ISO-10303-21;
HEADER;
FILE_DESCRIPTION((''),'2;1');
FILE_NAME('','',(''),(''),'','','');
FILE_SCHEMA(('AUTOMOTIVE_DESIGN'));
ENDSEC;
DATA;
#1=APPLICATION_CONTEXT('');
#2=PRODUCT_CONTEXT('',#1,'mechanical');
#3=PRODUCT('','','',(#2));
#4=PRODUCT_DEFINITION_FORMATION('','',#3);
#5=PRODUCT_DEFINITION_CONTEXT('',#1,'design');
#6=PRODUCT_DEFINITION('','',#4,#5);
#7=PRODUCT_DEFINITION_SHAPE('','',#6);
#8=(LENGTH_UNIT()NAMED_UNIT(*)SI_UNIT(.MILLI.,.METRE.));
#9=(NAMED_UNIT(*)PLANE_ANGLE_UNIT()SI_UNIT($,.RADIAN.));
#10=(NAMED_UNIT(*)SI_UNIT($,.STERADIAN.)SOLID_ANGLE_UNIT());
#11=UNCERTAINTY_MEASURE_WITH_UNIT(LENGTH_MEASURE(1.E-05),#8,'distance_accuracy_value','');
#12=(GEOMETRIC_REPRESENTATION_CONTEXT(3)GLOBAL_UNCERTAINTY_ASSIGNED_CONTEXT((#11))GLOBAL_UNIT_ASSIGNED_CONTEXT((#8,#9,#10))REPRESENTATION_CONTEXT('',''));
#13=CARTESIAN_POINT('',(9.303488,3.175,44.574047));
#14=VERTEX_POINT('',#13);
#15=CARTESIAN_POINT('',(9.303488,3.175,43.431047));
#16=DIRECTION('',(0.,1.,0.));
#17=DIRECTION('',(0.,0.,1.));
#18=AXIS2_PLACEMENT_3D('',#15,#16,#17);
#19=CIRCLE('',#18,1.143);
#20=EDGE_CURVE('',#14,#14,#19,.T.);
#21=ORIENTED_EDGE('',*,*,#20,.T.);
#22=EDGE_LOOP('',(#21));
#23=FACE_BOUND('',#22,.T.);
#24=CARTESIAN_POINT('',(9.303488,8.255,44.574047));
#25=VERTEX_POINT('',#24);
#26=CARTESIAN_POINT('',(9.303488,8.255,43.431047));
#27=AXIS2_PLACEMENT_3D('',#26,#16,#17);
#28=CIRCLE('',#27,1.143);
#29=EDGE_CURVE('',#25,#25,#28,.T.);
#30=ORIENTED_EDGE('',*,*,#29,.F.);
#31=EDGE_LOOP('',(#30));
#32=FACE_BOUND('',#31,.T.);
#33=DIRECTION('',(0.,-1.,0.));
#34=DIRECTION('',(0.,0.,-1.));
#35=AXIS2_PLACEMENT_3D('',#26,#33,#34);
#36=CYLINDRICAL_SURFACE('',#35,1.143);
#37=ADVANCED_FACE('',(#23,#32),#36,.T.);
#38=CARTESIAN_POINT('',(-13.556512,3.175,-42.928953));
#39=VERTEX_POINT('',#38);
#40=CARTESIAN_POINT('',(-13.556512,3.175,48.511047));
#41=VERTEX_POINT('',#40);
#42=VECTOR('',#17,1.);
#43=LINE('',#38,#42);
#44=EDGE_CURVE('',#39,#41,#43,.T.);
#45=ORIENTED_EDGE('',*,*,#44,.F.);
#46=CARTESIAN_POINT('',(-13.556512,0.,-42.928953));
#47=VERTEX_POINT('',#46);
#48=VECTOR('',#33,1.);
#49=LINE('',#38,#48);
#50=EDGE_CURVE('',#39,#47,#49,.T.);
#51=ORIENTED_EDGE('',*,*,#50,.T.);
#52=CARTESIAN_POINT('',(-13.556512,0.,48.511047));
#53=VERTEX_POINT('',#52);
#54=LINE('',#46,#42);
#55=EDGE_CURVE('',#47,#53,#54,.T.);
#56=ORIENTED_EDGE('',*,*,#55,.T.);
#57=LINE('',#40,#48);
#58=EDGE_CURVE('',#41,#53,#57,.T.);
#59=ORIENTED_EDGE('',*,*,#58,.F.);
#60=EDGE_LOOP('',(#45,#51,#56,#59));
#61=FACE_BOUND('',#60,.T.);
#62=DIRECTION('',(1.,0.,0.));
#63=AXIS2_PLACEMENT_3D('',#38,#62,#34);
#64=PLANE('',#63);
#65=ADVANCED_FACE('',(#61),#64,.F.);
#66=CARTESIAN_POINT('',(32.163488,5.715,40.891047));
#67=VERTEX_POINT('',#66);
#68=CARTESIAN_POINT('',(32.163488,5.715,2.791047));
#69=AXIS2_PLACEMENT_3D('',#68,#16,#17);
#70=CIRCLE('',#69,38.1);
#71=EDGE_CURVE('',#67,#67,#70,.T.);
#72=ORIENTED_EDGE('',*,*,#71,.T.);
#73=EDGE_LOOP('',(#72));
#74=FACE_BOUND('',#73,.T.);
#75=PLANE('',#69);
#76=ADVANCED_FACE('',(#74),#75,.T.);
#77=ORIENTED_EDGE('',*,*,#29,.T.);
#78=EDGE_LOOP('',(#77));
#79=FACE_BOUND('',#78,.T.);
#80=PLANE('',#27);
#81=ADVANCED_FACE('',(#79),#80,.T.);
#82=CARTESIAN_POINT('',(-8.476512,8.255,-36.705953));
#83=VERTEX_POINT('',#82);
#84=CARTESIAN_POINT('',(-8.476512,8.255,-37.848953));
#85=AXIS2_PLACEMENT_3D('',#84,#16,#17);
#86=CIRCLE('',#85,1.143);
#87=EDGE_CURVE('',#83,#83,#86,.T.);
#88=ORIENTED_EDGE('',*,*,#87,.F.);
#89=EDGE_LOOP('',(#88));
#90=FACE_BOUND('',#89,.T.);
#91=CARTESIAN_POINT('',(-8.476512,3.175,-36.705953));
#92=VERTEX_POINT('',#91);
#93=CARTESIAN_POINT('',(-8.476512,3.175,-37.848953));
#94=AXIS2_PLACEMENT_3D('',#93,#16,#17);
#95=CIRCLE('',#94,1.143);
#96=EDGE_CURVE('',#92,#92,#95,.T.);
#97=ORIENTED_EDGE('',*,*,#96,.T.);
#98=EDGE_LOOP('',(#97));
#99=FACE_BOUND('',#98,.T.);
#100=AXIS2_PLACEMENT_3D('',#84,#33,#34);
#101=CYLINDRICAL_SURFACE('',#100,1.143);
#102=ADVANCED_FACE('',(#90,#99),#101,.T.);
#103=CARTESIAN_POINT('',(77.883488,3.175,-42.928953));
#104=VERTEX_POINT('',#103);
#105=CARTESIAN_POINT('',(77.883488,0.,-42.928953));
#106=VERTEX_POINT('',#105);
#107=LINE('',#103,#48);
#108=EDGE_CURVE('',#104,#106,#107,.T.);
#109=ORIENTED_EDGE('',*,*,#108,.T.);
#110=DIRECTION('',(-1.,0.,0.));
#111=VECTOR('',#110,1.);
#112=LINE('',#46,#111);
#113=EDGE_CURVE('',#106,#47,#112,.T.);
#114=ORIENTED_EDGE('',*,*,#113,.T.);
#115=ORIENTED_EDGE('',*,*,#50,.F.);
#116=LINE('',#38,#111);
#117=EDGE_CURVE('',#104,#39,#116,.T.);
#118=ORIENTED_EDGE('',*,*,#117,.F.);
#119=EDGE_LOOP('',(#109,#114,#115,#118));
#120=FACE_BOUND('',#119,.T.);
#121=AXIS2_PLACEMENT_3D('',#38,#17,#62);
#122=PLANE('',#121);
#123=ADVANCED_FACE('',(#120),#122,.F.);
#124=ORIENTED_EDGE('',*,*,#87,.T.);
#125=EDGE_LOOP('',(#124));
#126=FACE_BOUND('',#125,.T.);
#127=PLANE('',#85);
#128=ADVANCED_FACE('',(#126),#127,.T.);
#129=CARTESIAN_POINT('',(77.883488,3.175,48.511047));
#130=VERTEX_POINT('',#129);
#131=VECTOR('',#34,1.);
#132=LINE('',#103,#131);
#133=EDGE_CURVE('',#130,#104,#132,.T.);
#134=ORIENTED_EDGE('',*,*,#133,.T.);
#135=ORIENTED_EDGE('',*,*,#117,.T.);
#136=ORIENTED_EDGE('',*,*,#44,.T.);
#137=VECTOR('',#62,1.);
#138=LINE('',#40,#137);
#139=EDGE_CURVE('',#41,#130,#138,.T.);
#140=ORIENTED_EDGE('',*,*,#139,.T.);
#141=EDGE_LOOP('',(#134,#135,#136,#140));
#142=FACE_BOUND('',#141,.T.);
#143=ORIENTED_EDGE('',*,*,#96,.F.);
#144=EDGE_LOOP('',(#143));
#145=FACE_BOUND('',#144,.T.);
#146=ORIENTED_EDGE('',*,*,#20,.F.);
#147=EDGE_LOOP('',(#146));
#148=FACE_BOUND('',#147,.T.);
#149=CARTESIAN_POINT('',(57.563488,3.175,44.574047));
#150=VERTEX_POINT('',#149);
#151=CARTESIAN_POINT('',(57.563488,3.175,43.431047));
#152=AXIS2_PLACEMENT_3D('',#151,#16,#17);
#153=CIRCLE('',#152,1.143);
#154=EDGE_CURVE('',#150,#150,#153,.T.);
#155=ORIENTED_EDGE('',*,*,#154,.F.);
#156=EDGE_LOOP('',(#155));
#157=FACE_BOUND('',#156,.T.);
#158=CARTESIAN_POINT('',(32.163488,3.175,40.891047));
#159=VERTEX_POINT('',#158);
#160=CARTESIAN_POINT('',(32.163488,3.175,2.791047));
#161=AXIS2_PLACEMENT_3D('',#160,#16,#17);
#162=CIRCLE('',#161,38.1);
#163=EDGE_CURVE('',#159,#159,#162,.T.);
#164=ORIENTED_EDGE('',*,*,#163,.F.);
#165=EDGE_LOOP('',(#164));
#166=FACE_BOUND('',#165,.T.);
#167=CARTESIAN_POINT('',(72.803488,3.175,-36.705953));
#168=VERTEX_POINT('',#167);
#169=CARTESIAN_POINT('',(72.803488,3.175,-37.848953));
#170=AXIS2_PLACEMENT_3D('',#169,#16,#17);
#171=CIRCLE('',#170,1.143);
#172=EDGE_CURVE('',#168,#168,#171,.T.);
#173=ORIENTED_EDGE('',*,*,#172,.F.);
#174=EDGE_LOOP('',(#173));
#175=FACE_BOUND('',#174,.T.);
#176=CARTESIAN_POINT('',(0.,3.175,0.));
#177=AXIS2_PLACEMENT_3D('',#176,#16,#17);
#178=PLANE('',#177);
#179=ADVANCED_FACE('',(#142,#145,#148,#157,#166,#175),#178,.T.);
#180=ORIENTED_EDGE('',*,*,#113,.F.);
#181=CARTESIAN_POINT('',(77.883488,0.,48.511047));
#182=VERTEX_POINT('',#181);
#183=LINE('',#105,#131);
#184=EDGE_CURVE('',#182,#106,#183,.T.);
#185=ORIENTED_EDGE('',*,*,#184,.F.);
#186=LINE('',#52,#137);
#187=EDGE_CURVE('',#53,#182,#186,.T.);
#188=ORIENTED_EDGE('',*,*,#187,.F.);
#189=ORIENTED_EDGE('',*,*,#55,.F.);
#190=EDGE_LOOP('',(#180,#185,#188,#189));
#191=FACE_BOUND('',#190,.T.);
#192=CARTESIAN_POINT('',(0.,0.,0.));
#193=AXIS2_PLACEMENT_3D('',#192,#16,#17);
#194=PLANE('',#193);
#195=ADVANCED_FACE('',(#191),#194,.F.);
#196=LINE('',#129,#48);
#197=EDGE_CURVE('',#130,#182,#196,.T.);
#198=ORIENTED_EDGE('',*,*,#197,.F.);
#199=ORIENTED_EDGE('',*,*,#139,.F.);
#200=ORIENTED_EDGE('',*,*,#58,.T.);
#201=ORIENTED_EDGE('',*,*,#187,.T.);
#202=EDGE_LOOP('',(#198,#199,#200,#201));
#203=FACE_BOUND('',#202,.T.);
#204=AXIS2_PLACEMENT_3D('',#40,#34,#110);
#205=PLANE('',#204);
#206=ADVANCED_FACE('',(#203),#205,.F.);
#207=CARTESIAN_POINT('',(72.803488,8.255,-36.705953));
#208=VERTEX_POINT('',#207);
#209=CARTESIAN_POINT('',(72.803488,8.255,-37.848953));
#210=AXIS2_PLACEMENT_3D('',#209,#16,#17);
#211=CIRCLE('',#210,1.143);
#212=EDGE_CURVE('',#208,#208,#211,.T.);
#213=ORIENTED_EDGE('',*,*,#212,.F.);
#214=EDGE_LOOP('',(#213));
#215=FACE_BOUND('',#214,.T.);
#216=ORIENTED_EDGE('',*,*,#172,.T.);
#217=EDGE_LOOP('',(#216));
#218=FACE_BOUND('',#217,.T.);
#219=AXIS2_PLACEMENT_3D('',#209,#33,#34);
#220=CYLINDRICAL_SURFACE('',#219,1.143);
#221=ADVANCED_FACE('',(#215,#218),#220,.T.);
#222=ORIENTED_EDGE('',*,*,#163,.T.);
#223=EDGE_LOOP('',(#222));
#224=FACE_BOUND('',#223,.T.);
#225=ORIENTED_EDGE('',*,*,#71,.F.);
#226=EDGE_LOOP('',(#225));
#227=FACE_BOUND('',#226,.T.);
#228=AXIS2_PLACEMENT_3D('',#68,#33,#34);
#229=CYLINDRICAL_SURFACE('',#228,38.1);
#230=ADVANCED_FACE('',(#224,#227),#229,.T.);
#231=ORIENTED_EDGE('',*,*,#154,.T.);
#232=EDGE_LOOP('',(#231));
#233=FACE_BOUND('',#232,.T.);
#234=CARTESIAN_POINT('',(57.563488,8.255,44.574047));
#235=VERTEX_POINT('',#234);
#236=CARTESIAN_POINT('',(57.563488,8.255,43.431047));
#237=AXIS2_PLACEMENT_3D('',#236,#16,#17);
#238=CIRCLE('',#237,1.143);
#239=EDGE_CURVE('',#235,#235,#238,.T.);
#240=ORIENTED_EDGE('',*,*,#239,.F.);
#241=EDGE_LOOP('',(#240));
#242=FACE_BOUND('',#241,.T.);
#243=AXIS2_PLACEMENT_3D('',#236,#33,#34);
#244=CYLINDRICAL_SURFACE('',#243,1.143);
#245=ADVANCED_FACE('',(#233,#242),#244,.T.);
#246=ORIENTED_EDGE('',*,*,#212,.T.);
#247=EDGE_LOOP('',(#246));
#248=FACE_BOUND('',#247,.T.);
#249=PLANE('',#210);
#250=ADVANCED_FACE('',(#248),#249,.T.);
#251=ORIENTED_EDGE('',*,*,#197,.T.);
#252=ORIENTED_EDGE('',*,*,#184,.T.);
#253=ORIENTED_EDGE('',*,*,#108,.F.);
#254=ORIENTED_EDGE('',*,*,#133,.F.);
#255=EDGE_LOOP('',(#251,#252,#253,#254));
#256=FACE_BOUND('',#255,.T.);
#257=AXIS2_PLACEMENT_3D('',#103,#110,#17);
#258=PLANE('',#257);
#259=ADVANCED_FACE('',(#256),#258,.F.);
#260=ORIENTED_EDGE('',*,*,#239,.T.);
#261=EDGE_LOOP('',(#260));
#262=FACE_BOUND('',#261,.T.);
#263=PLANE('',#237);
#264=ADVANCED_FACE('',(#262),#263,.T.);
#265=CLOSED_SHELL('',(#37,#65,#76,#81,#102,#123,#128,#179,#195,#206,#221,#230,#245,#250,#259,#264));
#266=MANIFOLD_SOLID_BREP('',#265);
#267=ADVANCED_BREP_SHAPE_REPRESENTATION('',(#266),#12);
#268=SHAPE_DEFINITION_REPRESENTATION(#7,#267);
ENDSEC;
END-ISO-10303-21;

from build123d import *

# Parameters (mm, degrees)
SKETCH1_W           = 91.44
SKETCH1_H           = 91.44
BOSS_EXTRUDE1_DEPTH = 3.175
SKETCH2_R           = 38.1
BOSS_EXTRUDE2_DEPTH = 2.54
SKETCH4_R           = 1.143
BOSS_EXTRUDE4_DEPTH = 5.08
SKETCH5_R           = 1.143
BOSS_EXTRUDE5_DEPTH = 5.08


with BuildPart() as part:
    # Sketch1 → Boss-Extrude1 (new body)
    with BuildSketch(Plane(origin=(0, 0, 0), x_dir=(1, 0, 0), z_dir=(0, 1, 0))):
        with Locations((32.163488372, -2.791046512)):
            Rectangle(SKETCH1_W, SKETCH1_H)
    extrude(amount=BOSS_EXTRUDE1_DEPTH)

    # Sketch2 → Boss-Extrude2 (add)
    with BuildSketch(Plane(origin=(0, 3.175, 0), x_dir=(1, 0, 0), z_dir=(0, 1, 0))):
        with Locations(Location((32.163488372, -2.791046512, 0), (0, 0, 270))):
            Circle(SKETCH2_R)
    extrude(amount=BOSS_EXTRUDE2_DEPTH)

    # Sketch4 → Boss-Extrude4 (add)
    with BuildSketch(Plane(origin=(0, 3.175, 0), x_dir=(1, 0, 0), z_dir=(0, 1, 0))):
        with Locations(Location((9.303488372, -43.431046512, 0), (0, 0, 270))):
            Circle(SKETCH4_R)
        with Locations(Location((57.563488372, -43.431046512, 0), (0, 0, 270))):
            Circle(SKETCH4_R)
    extrude(amount=BOSS_EXTRUDE4_DEPTH)

    # Sketch5 → Boss-Extrude5 (add)
    with BuildSketch(Plane(origin=(0, 3.175, 0), x_dir=(1, 0, 0), z_dir=(0, 1, 0))):
        with Locations(Location((-8.476511628, 37.848953488, 0), (0, 0, 270))):
            Circle(SKETCH5_R)
        with Locations(Location((72.803488372, 37.848953488, 0), (0, 0, 270))):
            Circle(SKETCH5_R)
    extrude(amount=BOSS_EXTRUDE5_DEPTH)


solid = part.part
